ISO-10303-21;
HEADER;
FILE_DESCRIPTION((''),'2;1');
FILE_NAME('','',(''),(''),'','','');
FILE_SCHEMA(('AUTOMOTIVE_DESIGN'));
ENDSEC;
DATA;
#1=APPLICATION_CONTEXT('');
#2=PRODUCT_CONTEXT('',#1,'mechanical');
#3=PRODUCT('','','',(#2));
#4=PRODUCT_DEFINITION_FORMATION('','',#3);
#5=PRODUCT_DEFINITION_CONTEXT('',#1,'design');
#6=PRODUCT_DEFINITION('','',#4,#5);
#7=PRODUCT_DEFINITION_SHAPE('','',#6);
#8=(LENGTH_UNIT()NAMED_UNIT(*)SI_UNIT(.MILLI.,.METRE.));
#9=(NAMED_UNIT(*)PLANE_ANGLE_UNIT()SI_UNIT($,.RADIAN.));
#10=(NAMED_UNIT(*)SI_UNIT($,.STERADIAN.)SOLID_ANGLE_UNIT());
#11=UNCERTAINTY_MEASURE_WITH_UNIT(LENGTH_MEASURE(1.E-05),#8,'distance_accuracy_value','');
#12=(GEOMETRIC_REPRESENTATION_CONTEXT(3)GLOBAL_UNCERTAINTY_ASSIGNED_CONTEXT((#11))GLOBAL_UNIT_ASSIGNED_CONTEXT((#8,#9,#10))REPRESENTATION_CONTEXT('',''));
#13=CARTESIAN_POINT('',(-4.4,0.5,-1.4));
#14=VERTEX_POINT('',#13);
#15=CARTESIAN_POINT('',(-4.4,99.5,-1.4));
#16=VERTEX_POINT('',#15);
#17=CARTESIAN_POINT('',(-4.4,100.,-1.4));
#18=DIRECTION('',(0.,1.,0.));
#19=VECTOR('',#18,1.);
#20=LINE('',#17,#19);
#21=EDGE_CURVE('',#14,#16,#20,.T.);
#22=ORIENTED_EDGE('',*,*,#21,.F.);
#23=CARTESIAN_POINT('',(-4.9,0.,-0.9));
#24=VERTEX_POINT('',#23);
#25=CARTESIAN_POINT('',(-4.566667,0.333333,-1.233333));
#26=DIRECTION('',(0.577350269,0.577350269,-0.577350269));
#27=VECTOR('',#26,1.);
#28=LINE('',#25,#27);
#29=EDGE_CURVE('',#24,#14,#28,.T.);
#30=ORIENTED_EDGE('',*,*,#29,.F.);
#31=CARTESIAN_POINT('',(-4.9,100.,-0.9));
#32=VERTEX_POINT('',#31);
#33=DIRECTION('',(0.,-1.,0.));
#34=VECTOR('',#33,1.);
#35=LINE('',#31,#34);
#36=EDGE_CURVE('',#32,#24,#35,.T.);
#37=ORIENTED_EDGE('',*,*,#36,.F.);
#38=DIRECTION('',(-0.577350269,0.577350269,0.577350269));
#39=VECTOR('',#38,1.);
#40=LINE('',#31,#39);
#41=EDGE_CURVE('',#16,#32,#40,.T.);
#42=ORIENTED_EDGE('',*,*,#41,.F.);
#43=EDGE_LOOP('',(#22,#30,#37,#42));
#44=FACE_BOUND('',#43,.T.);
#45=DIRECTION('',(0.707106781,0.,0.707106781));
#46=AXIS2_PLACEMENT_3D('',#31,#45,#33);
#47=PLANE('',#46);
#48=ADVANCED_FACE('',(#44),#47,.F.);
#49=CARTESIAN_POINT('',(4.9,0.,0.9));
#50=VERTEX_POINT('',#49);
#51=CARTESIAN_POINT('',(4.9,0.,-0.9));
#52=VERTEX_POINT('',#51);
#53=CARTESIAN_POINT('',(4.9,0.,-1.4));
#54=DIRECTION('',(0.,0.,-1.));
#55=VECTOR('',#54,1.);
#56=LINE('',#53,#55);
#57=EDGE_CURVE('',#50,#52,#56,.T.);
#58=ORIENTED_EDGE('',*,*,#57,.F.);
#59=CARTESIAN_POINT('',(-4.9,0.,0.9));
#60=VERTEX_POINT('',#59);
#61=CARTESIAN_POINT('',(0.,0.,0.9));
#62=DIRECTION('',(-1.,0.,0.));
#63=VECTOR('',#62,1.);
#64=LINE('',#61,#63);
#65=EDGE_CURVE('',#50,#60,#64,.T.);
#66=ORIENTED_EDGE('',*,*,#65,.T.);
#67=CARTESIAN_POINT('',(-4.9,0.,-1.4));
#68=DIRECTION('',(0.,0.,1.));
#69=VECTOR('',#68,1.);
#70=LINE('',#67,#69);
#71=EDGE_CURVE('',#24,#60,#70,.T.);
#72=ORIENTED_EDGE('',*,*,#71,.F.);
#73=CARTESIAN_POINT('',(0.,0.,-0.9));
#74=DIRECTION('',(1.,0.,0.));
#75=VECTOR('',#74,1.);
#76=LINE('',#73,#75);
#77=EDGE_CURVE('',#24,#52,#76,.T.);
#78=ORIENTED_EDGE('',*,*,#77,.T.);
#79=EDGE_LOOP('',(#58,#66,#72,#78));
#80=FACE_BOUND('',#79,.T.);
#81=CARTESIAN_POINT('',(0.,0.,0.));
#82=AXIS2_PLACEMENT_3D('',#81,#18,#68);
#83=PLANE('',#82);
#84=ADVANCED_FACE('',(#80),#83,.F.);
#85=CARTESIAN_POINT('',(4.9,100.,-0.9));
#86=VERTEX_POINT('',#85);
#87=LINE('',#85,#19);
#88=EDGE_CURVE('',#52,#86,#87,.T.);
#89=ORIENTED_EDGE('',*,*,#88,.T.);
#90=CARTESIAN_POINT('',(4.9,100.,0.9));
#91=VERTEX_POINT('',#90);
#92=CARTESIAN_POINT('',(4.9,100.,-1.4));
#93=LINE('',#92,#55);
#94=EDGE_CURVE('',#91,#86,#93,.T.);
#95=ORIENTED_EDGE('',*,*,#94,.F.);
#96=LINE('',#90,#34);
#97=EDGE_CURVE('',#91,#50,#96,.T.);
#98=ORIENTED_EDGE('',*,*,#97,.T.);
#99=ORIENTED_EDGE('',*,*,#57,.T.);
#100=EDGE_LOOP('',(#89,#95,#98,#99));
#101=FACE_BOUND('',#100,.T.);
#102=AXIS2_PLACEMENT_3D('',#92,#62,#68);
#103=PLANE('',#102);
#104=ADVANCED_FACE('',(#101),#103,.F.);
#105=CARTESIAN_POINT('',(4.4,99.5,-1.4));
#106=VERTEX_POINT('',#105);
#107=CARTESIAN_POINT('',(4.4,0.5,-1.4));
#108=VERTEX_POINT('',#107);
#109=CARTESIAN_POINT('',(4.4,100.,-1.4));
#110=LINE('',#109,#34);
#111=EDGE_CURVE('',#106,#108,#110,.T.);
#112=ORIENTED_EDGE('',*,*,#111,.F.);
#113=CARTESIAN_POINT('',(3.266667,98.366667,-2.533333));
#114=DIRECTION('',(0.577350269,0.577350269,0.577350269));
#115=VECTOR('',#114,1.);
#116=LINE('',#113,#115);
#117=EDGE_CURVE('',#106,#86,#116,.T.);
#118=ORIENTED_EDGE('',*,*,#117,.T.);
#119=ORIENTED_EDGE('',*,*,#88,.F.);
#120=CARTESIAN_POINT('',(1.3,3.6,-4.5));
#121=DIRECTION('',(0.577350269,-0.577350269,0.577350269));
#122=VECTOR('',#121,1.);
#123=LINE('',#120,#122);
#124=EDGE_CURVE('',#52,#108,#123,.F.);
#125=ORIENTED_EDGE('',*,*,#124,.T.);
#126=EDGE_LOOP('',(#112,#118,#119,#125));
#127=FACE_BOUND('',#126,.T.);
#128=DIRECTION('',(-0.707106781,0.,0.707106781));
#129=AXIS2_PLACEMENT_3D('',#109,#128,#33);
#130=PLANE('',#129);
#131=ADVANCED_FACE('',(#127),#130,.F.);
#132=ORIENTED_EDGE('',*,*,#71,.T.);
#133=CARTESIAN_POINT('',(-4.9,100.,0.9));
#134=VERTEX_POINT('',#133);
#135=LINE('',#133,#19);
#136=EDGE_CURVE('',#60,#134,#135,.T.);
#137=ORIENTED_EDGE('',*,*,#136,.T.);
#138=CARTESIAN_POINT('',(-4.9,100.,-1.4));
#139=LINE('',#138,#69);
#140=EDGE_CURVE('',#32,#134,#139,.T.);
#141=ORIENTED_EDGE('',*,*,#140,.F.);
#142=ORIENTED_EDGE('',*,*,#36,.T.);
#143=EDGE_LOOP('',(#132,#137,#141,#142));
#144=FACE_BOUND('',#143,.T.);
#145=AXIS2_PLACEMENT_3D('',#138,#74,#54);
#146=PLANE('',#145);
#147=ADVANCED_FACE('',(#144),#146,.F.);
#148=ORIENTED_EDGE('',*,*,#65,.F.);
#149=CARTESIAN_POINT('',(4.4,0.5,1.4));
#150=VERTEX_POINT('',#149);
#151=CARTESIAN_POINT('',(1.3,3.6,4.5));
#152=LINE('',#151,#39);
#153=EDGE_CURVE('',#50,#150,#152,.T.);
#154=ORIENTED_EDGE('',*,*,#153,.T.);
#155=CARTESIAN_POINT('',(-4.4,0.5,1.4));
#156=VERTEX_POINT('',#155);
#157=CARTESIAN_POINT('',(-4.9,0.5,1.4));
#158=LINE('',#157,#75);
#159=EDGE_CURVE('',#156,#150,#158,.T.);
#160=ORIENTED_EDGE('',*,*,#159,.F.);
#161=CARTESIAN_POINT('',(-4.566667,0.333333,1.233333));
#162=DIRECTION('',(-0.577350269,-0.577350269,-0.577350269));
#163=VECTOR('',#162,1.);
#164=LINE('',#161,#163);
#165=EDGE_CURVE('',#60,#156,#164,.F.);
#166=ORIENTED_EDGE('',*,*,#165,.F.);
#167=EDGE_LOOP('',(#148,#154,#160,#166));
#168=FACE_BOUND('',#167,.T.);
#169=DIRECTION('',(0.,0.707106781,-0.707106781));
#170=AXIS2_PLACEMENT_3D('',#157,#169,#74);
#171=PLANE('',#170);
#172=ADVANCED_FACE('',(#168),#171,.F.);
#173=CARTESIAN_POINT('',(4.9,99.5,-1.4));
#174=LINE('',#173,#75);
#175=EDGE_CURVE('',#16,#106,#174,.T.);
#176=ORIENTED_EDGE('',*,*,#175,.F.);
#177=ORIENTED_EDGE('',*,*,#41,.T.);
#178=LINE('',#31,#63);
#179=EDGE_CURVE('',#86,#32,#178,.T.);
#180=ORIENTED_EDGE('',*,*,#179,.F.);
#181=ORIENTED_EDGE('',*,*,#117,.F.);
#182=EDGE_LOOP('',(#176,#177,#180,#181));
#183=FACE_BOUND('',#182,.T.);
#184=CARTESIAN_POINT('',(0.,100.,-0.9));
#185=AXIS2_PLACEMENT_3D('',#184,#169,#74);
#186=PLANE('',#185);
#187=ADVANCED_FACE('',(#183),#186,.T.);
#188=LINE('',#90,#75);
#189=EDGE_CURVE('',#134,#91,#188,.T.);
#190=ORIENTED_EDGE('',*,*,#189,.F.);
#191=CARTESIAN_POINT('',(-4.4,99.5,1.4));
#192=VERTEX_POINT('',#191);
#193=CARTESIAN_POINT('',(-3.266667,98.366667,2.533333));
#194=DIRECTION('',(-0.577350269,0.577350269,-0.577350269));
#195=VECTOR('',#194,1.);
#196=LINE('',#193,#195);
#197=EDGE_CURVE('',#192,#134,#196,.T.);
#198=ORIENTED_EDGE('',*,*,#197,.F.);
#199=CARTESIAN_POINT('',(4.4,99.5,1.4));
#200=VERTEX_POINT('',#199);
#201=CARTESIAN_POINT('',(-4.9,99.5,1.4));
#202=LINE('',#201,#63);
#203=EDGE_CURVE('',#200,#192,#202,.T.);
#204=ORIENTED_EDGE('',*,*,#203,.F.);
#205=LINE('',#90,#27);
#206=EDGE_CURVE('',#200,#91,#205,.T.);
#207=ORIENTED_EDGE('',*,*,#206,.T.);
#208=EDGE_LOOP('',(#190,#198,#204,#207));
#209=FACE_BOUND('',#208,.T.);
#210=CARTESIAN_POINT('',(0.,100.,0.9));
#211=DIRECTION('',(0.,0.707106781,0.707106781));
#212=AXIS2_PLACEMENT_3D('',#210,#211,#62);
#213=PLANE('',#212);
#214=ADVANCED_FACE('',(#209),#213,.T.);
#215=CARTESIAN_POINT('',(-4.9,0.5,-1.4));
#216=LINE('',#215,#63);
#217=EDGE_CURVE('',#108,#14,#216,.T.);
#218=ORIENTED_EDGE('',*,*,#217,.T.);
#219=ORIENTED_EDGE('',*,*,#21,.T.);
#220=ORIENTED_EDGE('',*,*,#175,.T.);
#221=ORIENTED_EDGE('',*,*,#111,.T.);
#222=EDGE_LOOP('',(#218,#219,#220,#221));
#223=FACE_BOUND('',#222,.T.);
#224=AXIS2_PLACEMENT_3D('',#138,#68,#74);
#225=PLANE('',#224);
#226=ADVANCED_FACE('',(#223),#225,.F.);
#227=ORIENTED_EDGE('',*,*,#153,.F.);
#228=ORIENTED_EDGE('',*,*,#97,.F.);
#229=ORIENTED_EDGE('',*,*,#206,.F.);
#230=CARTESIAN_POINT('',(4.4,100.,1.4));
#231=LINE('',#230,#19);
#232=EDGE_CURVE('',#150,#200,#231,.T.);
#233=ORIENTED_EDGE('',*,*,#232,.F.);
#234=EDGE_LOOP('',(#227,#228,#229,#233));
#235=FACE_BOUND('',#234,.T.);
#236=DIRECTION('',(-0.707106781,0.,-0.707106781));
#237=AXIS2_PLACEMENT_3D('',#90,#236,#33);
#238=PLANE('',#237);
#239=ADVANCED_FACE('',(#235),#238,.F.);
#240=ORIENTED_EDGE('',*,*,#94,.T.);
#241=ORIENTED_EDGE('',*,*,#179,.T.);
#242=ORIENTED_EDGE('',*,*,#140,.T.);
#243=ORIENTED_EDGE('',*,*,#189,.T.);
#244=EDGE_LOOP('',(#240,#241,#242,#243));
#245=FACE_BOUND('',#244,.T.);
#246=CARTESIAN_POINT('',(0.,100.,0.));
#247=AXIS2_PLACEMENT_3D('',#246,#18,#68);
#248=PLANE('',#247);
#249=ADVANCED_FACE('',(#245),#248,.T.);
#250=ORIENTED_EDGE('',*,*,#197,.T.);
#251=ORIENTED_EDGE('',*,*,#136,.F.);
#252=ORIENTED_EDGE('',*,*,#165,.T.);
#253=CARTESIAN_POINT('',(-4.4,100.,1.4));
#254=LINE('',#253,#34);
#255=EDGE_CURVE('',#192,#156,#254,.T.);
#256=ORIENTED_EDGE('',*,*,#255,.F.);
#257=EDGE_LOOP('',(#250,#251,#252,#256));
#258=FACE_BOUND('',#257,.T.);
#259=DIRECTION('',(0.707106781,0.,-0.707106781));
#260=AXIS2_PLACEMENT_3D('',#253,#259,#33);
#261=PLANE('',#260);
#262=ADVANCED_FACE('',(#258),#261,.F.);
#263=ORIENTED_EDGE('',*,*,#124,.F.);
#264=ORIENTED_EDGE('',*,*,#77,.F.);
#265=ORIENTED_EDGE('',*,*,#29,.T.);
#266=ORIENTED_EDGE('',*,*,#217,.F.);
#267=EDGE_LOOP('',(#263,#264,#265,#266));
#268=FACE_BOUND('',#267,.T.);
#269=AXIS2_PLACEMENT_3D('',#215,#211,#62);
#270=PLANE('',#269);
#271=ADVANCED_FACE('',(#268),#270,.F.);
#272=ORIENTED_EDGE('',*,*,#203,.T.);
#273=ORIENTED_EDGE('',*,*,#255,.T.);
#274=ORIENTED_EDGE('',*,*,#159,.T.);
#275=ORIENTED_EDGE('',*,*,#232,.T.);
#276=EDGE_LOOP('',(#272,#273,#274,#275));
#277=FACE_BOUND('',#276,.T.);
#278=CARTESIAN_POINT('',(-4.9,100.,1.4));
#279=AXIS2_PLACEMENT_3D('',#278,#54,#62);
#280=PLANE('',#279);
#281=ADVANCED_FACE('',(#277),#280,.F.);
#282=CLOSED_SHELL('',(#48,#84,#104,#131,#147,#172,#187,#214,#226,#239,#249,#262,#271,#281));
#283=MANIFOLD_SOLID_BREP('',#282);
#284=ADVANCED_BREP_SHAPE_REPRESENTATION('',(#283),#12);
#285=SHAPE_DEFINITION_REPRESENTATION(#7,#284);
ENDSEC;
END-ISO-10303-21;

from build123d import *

# Parameters (mm, degrees)
SKETCH1_W           = 9.8
SKETCH1_H           = 2.8
BOSS_EXTRUDE1_DEPTH = 100
CHAMFER1_SIZE       = 0.5


with BuildPart() as part:
    # Sketch1 → Boss-Extrude1 (new body)
    with BuildSketch(Plane(origin=(0, 0, 0), x_dir=(1, 0, 0), z_dir=(0, 1, 0))):
        Rectangle(SKETCH1_W, SKETCH1_H)
    extrude(amount=BOSS_EXTRUDE1_DEPTH)

    # Chamfer1
    chamfer1_edges = [part.edges().sort_by_distance(p)[0] for p in [
        (0, 100, 1.4),
        (0, 0, 1.4),
        (0, 0, -1.4),
        (4.9, 50, 1.4),
        (-4.9, 50, 1.4),
        (-4.9, 50, -1.4),
        (4.9, 50, -1.4),
        (0, 100, -1.4),
    ]]
    chamfer(chamfer1_edges, length=CHAMFER1_SIZE)


solid = part.part
